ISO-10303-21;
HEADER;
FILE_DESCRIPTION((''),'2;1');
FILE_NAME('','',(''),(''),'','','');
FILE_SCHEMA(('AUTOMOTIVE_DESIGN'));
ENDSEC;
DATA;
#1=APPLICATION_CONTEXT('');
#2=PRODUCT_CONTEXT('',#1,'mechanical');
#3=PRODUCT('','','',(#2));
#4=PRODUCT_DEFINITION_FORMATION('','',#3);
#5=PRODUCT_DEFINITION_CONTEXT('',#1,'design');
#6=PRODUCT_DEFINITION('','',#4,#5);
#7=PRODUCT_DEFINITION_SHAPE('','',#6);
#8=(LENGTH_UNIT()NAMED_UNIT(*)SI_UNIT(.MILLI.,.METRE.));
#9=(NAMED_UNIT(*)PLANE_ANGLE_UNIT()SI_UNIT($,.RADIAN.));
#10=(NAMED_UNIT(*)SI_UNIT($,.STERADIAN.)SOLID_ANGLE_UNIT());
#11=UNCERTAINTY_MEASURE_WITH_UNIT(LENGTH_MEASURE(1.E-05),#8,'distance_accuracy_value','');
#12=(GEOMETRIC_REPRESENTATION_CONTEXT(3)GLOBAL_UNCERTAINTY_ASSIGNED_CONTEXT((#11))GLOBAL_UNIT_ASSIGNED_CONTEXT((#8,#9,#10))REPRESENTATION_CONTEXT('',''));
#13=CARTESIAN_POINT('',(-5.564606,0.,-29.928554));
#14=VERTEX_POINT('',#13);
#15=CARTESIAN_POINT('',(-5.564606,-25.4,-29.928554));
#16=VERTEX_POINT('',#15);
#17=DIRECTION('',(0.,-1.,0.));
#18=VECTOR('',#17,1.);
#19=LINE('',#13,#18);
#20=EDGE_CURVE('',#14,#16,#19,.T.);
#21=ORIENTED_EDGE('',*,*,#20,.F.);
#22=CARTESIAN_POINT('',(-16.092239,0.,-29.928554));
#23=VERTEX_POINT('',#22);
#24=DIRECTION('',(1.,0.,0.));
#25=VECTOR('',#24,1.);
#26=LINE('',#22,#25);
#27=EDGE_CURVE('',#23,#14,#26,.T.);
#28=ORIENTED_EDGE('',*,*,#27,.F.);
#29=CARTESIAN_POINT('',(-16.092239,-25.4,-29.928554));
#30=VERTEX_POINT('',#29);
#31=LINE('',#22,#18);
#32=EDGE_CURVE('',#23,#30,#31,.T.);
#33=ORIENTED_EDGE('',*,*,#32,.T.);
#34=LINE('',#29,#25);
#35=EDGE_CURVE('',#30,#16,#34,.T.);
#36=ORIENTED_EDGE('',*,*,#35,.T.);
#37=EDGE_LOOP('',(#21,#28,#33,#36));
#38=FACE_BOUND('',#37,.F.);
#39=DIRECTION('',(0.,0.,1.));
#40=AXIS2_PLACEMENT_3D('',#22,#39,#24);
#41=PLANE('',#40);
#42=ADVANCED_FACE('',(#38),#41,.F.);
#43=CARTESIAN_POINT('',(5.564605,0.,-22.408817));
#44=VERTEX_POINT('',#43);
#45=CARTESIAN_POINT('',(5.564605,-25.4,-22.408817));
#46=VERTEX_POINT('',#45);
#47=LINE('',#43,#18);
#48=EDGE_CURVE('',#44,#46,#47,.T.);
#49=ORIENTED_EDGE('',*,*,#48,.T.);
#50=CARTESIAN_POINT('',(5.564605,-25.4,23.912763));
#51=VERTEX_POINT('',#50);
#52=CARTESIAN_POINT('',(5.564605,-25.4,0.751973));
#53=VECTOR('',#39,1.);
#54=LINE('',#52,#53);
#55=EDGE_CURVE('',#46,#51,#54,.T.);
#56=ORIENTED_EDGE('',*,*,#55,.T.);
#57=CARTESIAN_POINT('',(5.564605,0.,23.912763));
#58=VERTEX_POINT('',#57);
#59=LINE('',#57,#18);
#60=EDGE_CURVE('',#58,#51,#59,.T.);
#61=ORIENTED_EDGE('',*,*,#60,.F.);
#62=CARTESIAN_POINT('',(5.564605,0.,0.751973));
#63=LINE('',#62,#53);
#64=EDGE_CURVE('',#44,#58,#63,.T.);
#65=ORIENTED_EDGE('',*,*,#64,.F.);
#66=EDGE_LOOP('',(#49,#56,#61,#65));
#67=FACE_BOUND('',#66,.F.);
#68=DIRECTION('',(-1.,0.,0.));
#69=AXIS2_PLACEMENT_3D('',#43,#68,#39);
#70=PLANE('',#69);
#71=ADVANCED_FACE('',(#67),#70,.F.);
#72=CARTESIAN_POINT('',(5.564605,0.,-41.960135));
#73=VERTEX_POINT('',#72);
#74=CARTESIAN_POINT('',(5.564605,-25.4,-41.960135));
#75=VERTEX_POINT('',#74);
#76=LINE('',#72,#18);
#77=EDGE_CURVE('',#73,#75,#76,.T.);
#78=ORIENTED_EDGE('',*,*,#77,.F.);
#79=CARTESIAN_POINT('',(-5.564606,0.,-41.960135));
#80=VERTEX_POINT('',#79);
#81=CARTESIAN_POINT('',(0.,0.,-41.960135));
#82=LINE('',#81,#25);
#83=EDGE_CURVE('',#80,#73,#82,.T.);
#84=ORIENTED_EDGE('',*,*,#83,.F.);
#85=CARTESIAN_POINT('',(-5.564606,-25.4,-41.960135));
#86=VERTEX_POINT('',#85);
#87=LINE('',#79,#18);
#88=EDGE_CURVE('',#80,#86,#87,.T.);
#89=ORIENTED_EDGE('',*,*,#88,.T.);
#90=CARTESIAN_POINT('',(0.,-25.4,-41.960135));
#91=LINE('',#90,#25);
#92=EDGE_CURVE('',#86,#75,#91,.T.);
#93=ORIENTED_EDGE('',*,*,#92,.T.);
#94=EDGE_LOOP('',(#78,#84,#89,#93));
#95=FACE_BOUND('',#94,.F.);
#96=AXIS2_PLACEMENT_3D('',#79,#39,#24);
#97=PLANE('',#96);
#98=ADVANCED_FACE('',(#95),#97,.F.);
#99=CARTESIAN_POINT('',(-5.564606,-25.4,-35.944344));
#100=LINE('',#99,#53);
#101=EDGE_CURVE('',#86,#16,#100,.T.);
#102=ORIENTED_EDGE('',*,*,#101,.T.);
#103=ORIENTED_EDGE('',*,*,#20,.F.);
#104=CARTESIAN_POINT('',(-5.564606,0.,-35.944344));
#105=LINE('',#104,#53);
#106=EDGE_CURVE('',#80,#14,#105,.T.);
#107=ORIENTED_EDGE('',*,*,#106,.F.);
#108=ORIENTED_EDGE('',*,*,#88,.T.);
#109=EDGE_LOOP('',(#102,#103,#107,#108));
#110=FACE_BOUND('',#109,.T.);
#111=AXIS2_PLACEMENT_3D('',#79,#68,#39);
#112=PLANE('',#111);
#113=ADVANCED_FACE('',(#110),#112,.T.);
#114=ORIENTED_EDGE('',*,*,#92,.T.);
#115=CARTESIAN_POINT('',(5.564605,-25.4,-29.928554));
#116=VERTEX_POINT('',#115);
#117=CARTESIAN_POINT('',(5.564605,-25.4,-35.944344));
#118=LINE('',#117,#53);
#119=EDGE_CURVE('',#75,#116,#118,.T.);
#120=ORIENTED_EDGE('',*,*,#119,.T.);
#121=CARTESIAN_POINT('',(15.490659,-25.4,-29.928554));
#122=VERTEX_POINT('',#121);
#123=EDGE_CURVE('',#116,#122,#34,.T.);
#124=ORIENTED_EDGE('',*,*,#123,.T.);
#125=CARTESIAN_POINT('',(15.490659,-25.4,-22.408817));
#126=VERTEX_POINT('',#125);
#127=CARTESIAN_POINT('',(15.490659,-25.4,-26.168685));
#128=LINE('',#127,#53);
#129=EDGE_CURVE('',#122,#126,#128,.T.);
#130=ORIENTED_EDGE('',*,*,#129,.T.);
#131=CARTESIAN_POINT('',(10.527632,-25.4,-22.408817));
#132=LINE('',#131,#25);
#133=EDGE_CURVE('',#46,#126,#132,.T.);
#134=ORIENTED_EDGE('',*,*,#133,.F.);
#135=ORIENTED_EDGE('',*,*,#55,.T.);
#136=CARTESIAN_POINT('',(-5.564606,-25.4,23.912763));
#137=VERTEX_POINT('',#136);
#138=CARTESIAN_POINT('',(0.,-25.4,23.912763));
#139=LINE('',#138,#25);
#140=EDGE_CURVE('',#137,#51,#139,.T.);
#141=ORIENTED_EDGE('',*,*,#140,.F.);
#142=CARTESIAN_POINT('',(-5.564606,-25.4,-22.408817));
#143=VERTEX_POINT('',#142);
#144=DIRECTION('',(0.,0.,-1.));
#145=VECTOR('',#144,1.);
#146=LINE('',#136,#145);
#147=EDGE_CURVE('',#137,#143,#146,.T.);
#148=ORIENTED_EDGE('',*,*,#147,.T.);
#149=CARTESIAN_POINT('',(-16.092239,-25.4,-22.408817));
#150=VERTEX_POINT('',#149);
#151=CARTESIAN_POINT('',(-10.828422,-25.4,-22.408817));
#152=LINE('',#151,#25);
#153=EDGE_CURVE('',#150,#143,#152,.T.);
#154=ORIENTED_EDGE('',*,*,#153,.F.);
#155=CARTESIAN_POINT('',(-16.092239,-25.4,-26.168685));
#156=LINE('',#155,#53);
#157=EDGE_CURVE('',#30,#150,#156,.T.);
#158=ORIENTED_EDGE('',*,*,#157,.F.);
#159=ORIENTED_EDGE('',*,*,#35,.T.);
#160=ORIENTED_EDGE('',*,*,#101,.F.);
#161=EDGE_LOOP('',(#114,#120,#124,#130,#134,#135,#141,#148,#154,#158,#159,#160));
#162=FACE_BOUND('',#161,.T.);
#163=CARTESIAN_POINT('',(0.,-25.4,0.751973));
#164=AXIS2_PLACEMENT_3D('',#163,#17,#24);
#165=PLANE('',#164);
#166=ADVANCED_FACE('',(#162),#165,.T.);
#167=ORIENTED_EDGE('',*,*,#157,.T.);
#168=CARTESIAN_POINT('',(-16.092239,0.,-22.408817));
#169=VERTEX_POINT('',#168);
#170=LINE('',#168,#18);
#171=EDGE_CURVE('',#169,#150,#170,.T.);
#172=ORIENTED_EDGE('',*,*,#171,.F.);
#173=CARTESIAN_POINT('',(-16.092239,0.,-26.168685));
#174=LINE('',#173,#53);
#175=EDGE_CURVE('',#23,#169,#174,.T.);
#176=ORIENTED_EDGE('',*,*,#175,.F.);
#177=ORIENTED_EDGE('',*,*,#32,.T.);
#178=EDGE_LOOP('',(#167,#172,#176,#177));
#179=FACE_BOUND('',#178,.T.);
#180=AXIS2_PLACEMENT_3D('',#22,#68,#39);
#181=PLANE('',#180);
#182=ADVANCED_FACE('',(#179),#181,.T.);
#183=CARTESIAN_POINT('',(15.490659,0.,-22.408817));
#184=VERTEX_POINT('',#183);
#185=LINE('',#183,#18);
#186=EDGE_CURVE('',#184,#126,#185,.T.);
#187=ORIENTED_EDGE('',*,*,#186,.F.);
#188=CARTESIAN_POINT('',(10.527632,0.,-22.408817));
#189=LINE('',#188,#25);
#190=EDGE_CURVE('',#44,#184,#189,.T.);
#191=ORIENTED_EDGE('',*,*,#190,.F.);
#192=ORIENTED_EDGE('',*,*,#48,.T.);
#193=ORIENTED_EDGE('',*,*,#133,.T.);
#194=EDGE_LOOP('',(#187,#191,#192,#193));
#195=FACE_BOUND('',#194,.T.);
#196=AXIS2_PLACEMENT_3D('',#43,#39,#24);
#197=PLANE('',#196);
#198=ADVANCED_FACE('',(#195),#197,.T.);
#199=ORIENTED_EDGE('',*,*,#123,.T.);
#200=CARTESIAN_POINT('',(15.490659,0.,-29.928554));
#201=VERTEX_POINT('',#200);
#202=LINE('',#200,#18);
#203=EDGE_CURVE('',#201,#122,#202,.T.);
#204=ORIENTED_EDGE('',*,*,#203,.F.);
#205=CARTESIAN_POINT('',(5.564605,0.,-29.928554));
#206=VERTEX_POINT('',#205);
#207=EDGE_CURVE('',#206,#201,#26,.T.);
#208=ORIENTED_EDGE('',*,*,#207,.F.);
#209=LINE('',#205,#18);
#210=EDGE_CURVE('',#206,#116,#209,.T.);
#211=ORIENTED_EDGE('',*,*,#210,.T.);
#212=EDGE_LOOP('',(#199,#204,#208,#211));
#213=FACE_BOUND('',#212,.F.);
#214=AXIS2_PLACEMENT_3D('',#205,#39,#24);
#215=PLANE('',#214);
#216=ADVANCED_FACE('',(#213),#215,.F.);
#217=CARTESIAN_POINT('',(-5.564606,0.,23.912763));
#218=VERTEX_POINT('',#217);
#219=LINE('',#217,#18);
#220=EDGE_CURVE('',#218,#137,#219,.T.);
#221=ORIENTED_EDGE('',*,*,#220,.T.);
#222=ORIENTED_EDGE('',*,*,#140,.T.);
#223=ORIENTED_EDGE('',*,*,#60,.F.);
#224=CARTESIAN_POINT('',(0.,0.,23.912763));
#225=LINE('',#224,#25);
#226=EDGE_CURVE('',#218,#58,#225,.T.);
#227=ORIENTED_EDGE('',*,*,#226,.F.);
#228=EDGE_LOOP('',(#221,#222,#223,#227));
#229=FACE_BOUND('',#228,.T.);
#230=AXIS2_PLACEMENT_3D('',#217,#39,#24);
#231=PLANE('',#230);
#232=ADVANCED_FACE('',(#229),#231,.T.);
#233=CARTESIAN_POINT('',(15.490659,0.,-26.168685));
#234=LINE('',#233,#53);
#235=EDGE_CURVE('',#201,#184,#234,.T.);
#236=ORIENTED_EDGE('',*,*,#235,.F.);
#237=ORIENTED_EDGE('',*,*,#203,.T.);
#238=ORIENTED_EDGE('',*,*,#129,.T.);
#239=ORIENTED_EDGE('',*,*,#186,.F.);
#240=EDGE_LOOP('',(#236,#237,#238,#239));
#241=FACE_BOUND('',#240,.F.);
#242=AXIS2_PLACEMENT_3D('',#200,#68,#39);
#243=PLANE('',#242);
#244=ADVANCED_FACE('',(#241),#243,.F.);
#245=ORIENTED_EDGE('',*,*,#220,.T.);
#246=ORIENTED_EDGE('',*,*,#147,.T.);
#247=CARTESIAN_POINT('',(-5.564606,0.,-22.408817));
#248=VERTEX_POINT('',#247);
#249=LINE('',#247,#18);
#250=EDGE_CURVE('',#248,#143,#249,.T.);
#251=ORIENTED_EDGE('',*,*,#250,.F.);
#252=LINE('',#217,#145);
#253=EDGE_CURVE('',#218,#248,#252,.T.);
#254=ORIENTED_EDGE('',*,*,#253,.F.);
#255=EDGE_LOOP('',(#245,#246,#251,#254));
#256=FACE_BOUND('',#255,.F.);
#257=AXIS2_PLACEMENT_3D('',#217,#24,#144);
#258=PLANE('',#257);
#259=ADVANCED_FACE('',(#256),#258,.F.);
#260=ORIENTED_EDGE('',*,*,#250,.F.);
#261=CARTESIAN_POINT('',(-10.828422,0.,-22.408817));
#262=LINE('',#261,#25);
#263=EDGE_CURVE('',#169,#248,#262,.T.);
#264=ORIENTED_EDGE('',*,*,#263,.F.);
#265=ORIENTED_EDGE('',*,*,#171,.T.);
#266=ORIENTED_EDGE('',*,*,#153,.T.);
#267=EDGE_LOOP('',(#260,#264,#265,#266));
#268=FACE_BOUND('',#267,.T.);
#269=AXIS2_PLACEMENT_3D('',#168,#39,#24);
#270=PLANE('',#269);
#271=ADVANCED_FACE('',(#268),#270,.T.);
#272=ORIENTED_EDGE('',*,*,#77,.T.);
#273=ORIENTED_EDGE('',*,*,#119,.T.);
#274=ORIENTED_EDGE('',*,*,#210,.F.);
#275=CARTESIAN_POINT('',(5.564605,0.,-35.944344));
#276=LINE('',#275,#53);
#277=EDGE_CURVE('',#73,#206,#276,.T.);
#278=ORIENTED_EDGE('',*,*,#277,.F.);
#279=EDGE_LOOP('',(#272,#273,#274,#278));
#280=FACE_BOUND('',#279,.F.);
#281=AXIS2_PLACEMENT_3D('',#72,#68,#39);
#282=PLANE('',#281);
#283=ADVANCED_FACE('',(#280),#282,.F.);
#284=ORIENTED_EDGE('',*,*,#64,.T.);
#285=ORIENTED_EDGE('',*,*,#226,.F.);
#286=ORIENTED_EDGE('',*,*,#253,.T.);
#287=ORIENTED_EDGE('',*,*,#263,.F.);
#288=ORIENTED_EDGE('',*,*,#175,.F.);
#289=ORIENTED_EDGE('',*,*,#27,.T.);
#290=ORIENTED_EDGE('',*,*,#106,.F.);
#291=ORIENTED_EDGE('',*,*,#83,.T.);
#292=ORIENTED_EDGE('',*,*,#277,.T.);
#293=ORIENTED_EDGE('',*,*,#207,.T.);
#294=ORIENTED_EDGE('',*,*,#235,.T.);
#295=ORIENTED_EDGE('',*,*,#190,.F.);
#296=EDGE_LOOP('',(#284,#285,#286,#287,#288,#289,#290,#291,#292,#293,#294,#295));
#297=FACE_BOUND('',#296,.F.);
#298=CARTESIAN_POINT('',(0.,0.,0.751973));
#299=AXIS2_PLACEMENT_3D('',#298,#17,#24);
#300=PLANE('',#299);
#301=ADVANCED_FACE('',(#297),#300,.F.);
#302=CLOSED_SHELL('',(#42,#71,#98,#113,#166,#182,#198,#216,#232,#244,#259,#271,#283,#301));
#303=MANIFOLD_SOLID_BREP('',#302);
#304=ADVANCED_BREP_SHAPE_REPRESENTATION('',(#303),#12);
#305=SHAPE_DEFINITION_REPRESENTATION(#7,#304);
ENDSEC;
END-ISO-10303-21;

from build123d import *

# Parameters (mm, degrees)
F0_W     = 11.1292107031
F0_H     = 46.3215801865
F0_W_2   = 9.9260536954
F0_H_2   = 7.519736886
F0_W_3   = 10.5276331306
F0_H_3   = 12.0315812528
F1_DEPTH = 25.4


with BuildPart() as f1:
    # F0 (on Front) → F1 (new body)
    with BuildSketch(Plane.XZ):
        with Locations((-4.657e-07, 0.7519731298)):
            Rectangle(F0_W, F0_H)
        with Locations((10.5276317336, -26.1686854064)):
            Rectangle(F0_W_2, F0_H_2)
        with Locations((-4.657e-07, -26.1686854064)):
            Rectangle(F0_W, F0_H_2)
        with Locations((-10.8284223825, -26.1686854064)):
            Rectangle(F0_W_3, F0_H_2)
        with Locations((-4.657e-07, -35.9443444759)):
            Rectangle(F0_W, F0_H_3)
    extrude(amount=F1_DEPTH)


solid = f1.part
